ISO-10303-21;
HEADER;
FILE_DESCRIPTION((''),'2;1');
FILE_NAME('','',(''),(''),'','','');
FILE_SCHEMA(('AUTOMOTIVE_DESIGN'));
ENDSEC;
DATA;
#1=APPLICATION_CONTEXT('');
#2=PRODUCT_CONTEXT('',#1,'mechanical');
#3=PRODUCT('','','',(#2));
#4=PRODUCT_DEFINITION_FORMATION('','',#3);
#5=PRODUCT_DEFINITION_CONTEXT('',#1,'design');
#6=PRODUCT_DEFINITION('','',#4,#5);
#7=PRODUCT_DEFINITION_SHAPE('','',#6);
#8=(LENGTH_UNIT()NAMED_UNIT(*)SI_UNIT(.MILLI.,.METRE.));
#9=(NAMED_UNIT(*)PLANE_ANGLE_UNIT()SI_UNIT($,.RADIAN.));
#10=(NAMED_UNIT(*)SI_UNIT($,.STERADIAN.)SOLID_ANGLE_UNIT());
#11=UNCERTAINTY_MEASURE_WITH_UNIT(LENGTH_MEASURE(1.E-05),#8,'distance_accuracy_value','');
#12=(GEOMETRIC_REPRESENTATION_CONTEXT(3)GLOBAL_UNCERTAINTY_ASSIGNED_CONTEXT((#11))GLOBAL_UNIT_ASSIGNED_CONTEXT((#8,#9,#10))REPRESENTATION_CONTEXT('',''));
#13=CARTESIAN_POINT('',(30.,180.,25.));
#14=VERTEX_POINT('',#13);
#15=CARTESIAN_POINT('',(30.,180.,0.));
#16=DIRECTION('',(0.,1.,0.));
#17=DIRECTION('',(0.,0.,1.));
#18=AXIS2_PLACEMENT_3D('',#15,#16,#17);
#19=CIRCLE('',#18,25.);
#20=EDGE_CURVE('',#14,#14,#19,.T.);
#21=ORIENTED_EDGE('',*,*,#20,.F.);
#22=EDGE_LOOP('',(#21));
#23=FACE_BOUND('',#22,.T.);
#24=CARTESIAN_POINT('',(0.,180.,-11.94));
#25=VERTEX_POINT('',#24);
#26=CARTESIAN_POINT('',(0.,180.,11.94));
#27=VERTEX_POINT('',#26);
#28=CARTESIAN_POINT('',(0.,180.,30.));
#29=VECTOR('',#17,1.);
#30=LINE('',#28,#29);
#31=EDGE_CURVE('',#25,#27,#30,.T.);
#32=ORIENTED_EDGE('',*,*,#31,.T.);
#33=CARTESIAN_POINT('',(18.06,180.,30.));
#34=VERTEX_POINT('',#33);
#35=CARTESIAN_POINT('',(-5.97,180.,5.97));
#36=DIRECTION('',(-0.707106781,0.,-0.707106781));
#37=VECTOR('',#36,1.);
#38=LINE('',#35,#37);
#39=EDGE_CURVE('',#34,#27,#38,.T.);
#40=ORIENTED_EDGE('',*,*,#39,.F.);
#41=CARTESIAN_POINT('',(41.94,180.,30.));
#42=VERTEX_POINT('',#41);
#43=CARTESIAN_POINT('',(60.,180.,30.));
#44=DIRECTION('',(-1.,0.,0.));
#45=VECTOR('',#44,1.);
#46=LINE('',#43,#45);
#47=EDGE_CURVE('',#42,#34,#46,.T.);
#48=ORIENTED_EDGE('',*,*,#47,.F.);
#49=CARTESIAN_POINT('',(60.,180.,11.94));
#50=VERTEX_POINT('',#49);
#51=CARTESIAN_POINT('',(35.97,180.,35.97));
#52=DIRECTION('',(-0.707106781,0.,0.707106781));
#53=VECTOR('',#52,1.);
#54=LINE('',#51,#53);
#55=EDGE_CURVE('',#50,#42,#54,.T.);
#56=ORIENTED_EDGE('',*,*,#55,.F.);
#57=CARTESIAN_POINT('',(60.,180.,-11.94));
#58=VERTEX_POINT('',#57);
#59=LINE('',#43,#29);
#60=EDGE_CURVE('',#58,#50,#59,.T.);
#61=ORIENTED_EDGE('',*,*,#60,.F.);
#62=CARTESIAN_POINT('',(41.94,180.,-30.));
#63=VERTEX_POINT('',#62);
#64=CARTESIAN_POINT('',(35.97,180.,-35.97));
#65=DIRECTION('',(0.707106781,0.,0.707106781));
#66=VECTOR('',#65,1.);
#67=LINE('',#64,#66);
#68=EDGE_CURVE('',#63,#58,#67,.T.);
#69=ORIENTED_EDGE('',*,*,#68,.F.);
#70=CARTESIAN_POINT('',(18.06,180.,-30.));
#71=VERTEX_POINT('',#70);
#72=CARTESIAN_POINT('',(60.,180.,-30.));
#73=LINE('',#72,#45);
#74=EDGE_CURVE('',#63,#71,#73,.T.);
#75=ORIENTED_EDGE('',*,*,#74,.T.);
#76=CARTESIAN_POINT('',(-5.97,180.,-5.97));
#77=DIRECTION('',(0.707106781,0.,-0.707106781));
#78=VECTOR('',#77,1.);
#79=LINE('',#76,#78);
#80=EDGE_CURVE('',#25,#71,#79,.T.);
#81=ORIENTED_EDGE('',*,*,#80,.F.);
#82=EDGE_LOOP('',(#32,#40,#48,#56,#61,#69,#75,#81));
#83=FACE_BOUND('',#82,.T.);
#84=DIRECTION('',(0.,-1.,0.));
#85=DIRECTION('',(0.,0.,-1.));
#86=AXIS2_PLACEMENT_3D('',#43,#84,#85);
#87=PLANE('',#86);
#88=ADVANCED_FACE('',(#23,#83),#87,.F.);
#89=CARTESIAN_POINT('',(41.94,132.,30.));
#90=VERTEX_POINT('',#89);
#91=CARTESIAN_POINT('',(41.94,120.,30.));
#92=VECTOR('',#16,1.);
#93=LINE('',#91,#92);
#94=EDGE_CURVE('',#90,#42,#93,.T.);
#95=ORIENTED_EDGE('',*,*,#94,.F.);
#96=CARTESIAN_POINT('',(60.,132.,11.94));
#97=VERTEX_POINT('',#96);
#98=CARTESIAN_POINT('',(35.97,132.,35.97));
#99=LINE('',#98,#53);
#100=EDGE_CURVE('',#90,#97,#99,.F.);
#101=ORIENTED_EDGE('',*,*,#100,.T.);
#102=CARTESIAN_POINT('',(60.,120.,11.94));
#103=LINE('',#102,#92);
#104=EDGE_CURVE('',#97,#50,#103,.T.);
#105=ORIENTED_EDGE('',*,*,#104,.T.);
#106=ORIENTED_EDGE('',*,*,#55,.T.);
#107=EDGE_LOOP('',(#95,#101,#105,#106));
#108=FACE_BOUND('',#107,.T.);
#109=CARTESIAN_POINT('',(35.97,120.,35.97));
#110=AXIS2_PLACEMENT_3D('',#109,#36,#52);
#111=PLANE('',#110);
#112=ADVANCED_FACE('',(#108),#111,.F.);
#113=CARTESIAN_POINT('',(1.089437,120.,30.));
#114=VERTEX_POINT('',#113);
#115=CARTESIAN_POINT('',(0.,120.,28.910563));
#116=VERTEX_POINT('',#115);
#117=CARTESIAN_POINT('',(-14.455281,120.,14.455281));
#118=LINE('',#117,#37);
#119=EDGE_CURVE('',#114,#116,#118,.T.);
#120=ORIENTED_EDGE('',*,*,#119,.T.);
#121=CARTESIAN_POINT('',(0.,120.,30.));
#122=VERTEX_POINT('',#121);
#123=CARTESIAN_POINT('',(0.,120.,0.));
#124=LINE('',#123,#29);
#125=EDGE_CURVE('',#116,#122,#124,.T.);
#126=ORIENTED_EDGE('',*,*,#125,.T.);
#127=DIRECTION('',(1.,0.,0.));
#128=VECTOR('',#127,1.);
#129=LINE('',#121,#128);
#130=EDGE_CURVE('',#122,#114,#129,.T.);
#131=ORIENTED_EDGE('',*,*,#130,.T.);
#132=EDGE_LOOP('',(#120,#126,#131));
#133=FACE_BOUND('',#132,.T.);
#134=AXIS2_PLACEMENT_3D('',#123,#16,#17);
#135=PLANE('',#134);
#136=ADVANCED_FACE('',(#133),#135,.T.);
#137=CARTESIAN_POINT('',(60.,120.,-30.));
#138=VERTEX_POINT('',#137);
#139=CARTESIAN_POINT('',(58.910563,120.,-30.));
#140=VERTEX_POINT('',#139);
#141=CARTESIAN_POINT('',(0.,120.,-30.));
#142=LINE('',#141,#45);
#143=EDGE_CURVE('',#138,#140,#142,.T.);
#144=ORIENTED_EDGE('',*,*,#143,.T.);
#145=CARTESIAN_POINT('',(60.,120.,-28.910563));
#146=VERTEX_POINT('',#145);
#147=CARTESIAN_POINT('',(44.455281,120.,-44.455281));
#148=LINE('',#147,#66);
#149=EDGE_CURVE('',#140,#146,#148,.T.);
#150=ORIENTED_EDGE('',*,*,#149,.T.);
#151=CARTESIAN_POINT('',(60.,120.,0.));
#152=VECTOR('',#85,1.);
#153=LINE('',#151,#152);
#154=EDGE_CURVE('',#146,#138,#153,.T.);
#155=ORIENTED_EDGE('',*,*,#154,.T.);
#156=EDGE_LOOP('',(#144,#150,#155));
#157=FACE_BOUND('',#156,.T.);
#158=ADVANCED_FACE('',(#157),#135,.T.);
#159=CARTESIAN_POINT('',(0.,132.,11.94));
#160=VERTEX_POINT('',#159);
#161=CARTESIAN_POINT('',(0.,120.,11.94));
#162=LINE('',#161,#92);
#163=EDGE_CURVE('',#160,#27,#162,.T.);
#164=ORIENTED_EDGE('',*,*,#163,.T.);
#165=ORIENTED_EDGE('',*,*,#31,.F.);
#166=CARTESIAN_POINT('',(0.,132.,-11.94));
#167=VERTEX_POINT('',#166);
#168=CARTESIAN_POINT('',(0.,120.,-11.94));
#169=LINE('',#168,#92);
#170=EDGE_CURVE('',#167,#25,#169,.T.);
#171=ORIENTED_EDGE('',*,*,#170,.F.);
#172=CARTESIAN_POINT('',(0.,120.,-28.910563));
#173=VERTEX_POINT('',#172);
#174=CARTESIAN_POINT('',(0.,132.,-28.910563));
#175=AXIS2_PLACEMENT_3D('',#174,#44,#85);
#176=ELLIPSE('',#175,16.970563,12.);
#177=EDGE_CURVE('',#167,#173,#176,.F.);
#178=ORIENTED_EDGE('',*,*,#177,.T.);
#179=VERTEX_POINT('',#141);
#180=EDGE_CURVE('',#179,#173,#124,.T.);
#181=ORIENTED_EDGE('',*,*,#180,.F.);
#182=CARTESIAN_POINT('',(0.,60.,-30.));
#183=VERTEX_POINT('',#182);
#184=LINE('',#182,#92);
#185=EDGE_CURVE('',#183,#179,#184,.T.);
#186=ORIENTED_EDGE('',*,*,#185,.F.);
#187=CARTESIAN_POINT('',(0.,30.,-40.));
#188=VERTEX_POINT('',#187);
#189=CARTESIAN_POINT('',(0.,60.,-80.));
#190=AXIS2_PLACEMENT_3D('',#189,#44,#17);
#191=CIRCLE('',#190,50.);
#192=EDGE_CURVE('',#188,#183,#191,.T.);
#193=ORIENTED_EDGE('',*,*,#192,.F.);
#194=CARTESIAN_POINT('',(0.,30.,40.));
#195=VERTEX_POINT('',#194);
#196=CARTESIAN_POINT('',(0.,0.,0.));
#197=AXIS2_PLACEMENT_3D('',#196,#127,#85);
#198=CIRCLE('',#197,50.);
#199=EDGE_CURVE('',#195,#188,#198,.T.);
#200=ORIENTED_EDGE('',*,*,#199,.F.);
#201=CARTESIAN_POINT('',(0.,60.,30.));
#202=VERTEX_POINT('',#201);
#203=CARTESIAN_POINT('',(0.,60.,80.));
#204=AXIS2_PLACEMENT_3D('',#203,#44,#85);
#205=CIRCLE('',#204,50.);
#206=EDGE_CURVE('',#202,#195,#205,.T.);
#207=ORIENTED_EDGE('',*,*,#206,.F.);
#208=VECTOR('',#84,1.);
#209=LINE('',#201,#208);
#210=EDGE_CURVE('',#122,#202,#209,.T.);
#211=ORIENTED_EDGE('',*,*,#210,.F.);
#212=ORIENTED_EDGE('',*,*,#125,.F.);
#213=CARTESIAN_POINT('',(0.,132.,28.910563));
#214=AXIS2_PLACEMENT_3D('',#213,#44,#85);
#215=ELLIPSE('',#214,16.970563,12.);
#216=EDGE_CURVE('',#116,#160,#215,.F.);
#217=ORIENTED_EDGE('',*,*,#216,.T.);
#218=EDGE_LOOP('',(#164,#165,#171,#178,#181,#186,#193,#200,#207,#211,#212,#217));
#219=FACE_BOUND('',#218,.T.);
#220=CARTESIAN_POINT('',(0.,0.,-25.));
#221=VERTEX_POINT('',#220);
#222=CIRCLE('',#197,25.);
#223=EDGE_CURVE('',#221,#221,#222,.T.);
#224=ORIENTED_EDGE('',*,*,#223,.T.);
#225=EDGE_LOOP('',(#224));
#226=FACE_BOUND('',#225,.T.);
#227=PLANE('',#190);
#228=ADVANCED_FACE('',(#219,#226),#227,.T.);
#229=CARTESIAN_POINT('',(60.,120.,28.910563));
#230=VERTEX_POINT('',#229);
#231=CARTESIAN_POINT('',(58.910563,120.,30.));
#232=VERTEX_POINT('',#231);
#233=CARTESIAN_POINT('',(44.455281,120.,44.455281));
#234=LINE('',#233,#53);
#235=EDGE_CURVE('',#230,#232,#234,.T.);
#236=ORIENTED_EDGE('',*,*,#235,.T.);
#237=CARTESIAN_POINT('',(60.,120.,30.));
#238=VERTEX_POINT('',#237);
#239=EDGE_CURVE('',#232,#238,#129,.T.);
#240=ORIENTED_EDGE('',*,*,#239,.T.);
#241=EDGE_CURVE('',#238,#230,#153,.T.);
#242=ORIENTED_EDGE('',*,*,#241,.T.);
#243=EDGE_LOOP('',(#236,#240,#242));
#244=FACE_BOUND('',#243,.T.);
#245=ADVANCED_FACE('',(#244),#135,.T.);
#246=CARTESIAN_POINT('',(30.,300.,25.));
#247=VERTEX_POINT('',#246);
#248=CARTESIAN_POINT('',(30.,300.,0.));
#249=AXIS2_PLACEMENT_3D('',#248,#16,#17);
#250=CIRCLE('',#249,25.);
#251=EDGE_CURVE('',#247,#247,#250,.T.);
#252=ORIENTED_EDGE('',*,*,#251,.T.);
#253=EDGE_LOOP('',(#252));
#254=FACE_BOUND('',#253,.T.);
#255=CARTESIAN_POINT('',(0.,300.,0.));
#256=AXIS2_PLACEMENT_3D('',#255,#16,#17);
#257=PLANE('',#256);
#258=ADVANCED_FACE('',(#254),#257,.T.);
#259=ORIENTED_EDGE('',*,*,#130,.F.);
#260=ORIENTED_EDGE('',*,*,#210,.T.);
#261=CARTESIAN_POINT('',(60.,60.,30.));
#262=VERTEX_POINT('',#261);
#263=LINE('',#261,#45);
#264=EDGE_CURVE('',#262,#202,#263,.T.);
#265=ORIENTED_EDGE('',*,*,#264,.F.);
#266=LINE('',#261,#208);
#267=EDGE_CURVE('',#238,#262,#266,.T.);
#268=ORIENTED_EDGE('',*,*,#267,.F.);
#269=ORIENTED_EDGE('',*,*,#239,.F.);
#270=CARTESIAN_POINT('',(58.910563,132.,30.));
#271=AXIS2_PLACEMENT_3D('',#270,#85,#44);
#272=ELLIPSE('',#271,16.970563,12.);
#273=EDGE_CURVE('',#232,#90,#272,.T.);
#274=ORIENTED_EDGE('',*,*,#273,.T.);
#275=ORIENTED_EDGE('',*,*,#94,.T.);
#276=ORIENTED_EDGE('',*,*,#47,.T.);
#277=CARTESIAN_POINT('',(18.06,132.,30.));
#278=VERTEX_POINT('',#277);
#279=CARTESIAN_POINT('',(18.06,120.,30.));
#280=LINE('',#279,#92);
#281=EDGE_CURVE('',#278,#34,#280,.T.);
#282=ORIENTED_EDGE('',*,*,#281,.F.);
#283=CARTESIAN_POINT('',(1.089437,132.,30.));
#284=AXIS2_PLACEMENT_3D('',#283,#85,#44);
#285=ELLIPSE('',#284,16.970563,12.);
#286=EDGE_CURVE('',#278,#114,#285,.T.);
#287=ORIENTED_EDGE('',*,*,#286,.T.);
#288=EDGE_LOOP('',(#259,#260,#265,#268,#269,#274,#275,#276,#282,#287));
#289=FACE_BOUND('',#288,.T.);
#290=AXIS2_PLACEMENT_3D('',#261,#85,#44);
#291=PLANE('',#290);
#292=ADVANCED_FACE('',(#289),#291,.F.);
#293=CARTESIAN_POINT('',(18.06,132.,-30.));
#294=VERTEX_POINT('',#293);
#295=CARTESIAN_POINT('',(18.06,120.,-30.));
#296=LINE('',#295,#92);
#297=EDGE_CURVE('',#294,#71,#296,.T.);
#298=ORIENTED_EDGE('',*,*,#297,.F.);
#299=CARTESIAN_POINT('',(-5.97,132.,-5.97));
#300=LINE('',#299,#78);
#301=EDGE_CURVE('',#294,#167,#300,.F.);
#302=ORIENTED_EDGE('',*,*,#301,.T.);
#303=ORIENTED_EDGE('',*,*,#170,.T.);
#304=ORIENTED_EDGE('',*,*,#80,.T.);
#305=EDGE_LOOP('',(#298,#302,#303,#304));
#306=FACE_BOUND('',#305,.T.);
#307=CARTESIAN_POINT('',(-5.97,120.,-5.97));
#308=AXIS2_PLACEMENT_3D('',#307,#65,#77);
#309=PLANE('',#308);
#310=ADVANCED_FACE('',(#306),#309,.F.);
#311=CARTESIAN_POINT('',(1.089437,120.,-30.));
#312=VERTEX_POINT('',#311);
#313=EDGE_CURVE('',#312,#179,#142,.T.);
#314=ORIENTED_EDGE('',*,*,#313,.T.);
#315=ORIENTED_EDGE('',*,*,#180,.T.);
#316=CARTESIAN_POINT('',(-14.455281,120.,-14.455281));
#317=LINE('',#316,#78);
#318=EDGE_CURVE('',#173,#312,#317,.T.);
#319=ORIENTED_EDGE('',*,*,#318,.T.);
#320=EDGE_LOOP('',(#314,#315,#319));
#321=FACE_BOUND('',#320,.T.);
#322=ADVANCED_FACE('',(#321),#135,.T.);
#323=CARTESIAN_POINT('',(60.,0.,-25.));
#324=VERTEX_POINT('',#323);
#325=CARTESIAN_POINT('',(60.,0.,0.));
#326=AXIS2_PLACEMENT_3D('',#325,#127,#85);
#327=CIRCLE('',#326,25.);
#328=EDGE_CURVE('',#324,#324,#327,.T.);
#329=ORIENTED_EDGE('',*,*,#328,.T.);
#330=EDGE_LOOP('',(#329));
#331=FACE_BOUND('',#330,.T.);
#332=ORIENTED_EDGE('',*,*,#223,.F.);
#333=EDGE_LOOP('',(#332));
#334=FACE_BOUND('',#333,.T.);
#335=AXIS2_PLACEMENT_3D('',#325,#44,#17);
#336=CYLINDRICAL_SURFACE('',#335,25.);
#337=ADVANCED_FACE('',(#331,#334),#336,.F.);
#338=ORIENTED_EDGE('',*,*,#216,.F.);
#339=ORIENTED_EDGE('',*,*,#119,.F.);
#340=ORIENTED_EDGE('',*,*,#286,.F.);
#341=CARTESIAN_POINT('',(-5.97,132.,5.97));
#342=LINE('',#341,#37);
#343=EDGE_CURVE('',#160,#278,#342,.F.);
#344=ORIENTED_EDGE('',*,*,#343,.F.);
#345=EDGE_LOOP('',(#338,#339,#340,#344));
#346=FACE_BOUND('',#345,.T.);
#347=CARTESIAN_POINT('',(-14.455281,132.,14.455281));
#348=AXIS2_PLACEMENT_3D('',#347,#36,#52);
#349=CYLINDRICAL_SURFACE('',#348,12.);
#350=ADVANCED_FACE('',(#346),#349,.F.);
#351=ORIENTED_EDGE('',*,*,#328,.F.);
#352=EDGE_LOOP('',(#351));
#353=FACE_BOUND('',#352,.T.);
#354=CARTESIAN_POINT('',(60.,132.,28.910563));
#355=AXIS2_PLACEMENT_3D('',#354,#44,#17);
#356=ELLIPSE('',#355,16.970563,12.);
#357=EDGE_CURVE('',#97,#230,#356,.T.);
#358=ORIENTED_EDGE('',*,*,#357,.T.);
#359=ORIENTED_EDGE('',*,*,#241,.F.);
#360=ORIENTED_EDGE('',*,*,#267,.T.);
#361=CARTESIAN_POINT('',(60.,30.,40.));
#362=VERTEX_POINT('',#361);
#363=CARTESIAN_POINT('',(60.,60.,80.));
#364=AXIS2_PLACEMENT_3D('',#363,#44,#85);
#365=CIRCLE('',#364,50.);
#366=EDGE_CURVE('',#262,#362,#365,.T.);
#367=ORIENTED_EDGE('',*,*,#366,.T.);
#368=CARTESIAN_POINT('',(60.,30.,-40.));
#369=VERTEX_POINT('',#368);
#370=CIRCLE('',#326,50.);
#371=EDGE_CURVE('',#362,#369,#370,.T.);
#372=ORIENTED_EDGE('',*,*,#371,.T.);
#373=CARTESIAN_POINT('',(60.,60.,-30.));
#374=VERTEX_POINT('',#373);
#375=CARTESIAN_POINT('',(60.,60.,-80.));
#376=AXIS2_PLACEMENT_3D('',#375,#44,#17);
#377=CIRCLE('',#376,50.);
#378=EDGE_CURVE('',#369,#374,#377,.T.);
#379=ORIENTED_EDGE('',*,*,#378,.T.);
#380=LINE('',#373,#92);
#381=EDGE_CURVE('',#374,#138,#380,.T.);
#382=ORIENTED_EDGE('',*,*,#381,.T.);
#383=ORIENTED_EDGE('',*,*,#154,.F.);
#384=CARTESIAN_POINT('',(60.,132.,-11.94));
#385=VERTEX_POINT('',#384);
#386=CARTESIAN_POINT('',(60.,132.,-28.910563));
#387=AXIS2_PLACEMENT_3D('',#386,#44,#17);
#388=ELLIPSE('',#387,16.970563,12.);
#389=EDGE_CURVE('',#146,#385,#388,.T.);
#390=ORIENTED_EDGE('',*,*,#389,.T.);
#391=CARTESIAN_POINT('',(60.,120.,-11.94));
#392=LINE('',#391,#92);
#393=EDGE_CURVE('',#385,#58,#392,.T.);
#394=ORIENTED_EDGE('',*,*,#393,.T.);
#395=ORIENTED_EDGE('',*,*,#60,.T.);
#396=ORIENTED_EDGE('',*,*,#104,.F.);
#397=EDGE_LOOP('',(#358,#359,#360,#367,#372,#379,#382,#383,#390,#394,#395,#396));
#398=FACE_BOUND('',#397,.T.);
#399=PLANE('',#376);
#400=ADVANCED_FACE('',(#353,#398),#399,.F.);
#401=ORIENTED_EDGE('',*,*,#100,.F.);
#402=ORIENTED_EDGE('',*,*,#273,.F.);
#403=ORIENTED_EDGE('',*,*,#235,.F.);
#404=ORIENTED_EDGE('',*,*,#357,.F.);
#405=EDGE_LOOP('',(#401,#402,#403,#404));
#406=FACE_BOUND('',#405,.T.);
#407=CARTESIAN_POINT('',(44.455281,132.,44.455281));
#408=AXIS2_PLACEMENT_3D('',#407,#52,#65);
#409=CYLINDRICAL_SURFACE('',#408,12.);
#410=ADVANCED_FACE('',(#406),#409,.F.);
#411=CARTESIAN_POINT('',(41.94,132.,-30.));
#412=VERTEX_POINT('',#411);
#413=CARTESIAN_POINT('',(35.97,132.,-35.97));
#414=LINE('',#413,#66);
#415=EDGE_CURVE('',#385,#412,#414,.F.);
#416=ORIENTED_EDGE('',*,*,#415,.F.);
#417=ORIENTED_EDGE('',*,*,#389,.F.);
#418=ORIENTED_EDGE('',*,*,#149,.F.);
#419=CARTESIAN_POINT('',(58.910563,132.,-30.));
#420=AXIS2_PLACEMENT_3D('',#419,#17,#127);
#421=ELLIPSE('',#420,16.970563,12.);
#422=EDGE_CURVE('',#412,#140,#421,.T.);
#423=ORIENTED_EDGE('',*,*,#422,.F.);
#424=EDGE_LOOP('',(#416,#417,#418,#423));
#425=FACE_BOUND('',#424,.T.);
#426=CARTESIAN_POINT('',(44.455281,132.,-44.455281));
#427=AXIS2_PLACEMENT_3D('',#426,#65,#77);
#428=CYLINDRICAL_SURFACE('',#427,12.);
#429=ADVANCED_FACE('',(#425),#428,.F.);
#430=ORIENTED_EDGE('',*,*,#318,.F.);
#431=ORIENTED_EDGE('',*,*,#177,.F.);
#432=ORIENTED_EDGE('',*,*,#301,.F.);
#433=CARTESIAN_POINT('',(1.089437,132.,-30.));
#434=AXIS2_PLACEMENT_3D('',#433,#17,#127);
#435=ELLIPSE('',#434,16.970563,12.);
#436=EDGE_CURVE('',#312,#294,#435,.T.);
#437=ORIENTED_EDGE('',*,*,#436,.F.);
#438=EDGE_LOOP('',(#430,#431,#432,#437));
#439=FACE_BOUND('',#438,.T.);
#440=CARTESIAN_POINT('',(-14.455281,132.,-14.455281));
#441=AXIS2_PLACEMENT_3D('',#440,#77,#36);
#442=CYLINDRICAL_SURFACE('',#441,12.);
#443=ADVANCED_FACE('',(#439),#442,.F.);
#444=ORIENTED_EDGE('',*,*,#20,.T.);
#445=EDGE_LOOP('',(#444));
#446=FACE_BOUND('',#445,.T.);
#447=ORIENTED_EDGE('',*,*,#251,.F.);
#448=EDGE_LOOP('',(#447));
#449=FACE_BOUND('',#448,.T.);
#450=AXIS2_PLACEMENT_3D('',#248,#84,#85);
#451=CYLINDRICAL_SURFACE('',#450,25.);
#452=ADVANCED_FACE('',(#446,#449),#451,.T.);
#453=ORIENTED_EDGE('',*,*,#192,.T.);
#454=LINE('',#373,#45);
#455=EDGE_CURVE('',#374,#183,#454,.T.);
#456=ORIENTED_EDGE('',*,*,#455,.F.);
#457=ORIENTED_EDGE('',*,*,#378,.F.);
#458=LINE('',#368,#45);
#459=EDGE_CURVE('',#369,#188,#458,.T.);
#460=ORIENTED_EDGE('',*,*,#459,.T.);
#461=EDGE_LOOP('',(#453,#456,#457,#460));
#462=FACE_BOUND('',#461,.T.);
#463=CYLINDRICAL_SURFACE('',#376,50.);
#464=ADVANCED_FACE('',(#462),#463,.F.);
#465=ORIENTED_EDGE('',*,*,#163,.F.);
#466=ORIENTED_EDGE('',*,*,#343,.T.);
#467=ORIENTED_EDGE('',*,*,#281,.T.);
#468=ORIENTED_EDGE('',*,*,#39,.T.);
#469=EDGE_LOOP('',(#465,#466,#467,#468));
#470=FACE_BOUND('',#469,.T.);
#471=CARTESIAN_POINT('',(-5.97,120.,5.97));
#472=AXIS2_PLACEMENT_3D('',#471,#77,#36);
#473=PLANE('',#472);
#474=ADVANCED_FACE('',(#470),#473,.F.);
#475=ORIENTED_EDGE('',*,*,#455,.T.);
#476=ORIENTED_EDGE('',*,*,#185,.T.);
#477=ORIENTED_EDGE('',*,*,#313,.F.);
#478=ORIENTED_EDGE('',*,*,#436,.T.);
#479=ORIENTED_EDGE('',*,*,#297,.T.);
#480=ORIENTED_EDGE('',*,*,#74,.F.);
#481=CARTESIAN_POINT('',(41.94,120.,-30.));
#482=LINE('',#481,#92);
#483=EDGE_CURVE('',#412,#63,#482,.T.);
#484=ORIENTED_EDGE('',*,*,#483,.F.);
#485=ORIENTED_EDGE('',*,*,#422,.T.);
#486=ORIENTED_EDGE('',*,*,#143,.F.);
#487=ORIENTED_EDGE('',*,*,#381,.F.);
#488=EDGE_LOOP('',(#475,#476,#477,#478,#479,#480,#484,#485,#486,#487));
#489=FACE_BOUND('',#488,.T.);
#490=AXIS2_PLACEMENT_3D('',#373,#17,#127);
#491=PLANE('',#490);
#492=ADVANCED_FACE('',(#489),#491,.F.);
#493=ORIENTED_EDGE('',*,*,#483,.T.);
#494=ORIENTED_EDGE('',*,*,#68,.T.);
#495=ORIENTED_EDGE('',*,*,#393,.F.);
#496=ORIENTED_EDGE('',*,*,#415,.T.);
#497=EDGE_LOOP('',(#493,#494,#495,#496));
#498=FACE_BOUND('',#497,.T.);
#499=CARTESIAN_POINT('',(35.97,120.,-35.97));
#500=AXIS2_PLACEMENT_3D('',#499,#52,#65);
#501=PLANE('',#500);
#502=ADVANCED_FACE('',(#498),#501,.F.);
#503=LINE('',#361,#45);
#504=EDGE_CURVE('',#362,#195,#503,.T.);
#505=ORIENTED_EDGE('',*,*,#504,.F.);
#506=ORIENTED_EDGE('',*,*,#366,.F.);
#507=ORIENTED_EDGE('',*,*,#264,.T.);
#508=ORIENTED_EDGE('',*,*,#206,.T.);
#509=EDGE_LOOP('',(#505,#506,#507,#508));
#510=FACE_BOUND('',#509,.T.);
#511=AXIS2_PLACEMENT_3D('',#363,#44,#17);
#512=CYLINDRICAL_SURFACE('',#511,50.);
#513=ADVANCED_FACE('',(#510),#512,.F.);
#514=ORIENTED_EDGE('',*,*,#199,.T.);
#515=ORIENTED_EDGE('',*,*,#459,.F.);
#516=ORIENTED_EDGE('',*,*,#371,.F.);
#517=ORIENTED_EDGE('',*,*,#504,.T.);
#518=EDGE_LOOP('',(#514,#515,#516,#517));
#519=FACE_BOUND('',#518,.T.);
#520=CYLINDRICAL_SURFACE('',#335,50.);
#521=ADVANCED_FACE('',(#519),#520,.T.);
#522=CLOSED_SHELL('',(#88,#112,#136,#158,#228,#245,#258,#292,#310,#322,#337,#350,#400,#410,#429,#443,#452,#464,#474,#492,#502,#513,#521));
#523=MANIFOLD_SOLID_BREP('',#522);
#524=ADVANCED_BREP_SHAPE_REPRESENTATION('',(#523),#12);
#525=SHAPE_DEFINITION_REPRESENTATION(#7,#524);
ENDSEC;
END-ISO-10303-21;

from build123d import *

# Parameters (mm, degrees)
SKETCH1_R           = 25
BOSS_EXTRUDE1_DEPTH = 60
CUT_EXTRUDE3_DEPTH  = 60
SKETCH2_4_R         = 25
BOSS_EXTRUDE2_DEPTH = 120
FILLET1_R           = 12


with BuildPart() as part:
    # Sketch1 → Boss-Extrude1 (new body)
    with BuildSketch(Plane.YZ):
        with BuildLine():
            Line((60, 30), (180, 30))
            Line((180, 30), (180, -30))
            Line((180, -30), (60, -30))
            ThreePointArc((60, -30), (44.188611699, -32.565835097), (30, -40))
            ThreePointArc((30, -40), (-50, 0), (30, 40))
            ThreePointArc((30, 40), (44.188611699, 32.565835097), (60, 30))
        make_face()
        Circle(SKETCH1_R, mode=Mode.SUBTRACT)
    extrude(amount=BOSS_EXTRUDE1_DEPTH)

    # Sketch2 → Cut-Extrude3 (cut)
    with BuildSketch(Plane(origin=(0, 180, 0), x_dir=(-1, 0, 0), z_dir=(0, 1, 0))):
        Polygon((0, 30), (-18.06, 30), (0, 11.94), align=None)
        Polygon((-60, 11.94), (-41.94, 30), (-60, 30), align=None)
        Polygon((0, -30), (0, -11.94), (-18.06, -30), align=None)
        Polygon((-41.94, -30), (-60, -11.94), (-60, -30), align=None)
    extrude(amount=-CUT_EXTRUDE3_DEPTH, mode=Mode.SUBTRACT)

    # Sketch2<4> → Boss-Extrude2 (add)
    with BuildSketch(Plane(origin=(0, 180, 0), x_dir=(-1, 0, 0), z_dir=(0, 1, 0))):
        with Locations((-30, 0)):
            Circle(SKETCH2_4_R)
    extrude(amount=BOSS_EXTRUDE2_DEPTH)

    # Fillet1
    fillet1_edges = [part.edges().sort_by_distance(p)[0] for p in [
        (9.03, 120, -20.97),
        (9.03, 120, 20.97),
        (50.97, 120, -20.97),
        (50.97, 120, 20.97),
    ]]
    fillet(fillet1_edges, radius=FILLET1_R)


solid = part.part
